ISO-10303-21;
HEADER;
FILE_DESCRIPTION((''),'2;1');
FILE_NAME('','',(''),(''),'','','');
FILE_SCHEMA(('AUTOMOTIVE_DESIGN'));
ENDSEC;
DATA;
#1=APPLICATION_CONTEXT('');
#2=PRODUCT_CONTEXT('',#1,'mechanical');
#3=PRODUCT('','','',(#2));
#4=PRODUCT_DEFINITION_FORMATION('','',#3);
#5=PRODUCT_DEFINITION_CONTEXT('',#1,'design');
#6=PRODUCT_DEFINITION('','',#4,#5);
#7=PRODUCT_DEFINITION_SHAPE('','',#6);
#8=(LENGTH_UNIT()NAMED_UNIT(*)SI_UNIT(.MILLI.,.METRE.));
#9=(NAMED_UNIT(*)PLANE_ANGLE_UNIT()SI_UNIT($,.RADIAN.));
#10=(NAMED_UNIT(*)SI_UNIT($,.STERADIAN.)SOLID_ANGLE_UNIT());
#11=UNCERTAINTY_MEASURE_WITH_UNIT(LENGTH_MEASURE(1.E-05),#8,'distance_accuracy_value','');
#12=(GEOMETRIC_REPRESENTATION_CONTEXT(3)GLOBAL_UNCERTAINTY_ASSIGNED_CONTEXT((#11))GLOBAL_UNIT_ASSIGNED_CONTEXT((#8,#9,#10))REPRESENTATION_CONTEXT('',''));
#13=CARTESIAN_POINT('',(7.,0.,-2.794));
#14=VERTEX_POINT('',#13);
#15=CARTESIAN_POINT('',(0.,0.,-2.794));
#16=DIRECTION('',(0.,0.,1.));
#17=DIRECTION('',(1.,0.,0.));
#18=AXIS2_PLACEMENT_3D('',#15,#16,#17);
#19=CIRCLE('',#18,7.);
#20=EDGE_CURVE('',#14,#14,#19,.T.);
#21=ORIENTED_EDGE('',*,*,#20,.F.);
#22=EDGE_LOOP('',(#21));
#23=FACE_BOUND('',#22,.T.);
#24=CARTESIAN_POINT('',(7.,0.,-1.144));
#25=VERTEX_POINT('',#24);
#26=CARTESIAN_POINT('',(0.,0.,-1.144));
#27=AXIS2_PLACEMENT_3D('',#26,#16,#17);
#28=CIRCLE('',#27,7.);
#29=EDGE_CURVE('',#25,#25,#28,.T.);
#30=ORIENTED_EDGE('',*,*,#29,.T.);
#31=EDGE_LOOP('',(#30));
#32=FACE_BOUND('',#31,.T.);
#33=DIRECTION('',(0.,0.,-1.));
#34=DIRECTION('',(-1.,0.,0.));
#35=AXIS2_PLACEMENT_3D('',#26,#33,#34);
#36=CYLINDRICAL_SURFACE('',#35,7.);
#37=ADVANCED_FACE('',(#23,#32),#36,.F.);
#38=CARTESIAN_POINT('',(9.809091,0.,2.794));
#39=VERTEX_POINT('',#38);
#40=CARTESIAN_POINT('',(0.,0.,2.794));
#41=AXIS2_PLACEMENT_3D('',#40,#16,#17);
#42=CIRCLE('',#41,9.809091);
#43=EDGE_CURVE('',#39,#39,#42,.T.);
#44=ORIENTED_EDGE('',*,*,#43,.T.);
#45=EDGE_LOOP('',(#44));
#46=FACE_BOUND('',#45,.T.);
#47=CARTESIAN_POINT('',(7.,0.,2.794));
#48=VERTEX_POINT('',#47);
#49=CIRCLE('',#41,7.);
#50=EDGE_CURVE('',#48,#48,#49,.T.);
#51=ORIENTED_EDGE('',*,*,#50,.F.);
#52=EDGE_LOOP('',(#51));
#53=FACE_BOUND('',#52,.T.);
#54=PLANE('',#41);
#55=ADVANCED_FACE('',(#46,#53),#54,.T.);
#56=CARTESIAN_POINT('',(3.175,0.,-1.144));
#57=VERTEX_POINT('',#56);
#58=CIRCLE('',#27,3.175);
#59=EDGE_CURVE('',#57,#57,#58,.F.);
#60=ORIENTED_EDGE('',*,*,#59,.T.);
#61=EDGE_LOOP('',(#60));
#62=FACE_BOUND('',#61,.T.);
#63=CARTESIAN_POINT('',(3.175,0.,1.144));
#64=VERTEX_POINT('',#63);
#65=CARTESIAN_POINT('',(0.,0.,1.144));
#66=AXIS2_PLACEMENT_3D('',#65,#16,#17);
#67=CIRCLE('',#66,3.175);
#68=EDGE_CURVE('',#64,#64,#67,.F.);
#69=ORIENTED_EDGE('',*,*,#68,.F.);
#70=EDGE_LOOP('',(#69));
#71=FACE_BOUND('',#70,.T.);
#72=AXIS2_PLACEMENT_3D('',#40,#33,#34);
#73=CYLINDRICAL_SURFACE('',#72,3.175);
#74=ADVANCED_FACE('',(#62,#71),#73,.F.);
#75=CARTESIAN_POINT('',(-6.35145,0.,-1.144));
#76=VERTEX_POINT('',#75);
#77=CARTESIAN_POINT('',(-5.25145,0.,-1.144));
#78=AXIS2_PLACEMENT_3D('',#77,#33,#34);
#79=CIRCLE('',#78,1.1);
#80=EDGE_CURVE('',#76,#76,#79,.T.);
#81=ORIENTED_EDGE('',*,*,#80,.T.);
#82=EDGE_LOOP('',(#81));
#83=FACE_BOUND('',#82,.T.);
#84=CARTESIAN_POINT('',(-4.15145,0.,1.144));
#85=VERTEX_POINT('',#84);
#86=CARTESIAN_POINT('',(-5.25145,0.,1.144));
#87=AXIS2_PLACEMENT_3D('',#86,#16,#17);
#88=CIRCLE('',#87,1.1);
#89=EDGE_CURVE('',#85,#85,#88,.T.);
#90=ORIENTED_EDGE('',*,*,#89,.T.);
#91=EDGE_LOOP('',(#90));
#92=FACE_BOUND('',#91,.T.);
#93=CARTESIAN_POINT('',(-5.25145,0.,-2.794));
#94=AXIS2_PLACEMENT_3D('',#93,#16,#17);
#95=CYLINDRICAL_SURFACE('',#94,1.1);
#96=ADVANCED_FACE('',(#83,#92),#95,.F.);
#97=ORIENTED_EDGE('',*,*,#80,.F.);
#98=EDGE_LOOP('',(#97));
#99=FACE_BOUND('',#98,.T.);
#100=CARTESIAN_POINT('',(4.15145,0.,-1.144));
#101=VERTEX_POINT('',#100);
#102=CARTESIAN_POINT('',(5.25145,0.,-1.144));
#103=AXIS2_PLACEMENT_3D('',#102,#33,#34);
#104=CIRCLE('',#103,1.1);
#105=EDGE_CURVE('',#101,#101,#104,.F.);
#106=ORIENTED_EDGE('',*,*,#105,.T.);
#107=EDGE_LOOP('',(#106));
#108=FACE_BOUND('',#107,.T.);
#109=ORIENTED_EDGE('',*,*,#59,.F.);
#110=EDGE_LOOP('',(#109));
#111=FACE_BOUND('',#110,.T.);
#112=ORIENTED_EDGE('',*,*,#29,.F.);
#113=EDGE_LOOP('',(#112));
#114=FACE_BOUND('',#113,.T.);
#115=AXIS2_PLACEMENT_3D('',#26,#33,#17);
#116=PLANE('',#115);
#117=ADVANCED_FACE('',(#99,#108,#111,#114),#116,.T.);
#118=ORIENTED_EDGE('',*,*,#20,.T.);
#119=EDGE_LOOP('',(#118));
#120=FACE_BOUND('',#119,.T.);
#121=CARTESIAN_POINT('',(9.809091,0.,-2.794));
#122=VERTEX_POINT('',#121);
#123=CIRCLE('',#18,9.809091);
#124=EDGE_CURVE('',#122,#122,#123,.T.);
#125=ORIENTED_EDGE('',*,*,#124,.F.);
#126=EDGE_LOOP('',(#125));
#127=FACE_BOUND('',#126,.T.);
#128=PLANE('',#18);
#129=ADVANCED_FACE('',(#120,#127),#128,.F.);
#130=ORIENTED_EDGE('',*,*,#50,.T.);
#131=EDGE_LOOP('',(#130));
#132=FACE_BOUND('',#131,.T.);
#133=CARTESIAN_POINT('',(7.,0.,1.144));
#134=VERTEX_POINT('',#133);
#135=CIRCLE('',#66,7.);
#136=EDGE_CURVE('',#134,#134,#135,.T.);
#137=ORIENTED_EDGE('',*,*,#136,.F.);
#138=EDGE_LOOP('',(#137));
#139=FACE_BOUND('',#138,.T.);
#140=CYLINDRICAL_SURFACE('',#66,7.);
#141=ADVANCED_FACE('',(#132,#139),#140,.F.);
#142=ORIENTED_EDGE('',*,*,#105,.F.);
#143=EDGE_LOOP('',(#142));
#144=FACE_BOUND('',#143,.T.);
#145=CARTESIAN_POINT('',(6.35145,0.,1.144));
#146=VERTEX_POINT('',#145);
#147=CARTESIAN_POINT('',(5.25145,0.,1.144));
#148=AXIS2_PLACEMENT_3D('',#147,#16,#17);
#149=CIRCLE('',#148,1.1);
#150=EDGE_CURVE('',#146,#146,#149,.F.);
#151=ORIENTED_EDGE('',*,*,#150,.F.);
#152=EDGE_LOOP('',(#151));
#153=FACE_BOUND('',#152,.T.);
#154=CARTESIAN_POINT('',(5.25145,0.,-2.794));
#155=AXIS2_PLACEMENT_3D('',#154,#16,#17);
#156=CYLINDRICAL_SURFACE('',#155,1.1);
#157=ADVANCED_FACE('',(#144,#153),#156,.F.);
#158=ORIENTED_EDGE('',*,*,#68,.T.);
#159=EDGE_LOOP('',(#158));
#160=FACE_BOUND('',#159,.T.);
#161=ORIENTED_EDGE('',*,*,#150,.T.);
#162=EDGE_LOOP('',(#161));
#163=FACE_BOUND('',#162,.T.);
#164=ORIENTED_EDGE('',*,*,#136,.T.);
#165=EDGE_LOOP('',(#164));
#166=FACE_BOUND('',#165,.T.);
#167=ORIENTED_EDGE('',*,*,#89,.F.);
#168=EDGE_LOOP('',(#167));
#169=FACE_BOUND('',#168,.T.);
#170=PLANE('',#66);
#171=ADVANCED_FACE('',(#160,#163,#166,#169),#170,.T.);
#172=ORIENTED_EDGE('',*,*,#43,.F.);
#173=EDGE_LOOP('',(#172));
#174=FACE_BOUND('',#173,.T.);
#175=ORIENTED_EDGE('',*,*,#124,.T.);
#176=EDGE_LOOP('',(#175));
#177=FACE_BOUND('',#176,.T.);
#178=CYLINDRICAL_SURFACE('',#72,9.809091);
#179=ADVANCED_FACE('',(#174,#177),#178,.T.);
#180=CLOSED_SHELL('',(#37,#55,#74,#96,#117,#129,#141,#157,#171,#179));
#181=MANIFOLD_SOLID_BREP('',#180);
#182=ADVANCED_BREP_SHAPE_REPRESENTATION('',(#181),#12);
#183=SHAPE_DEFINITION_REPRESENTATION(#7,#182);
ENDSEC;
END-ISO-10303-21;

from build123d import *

# Parameters (mm, degrees)
SKETCH1_R           = 9.80909091
SKETCH1_R_2         = 3.175
BOSS_EXTRUDE1_DEPTH = 2.794
CUT_EXTRUDE1_START  = -1.65
SKETCH2_R           = 1.1
CUT_EXTRUDE1_DEPTH  = 1.65
SKETCH2_3_R         = 1.1
CUT_EXTRUDE2_DEPTH  = 15.955342623


with BuildPart() as part:
    # Sketch1 → Boss-Extrude1 (new, symmetric)
    with BuildSketch(Plane.XY):
        Circle(SKETCH1_R)
        Circle(SKETCH1_R_2, mode=Mode.SUBTRACT)
    extrude(amount=BOSS_EXTRUDE1_DEPTH, both=True)

    # Sketch2 → Cut-Extrude1 (cut)
    with BuildSketch(Plane.XY.offset(2.794).offset(CUT_EXTRUDE1_START)):
        with BuildLine():
            ThreePointArc((7, 0), (0, 7), (-7, 0))
            ThreePointArc((-7, 0), (0, -7), (7, 0))
        make_face()
        with BuildLine():
            ThreePointArc((-4.15145, 0), (-5.25145, -1.1), (-6.35145, 0))
            ThreePointArc((-6.35145, 0), (-5.25145, 1.1), (-4.15145, 0))
        make_face(mode=Mode.SUBTRACT)
        with BuildLine():
            ThreePointArc((3.175, 0), (0, -3.175), (-3.175, 0))
            ThreePointArc((-3.175, 0), (0, 3.175), (3.175, 0))
        make_face(mode=Mode.SUBTRACT)
        with Locations((5.25145, 0)):
            Circle(SKETCH2_R, mode=Mode.SUBTRACT)
    cut_extrude1 = extrude(amount=CUT_EXTRUDE1_DEPTH, mode=Mode.SUBTRACT)

    # Mirror1: Cut-Extrude1 across plane
    add(cut_extrude1.mirror(Plane.XY), mode=Mode.SUBTRACT)

    # Sketch2<3> → Cut-Extrude2 (cut, through all)
    with BuildSketch(Plane.XY.offset(2.794)):
        with Locations((-5.25145, 0)):
            Circle(SKETCH2_3_R)
        with Locations((5.25145, 0)):
            Circle(SKETCH2_3_R)
    extrude(amount=-CUT_EXTRUDE2_DEPTH, mode=Mode.SUBTRACT)


solid = part.part
